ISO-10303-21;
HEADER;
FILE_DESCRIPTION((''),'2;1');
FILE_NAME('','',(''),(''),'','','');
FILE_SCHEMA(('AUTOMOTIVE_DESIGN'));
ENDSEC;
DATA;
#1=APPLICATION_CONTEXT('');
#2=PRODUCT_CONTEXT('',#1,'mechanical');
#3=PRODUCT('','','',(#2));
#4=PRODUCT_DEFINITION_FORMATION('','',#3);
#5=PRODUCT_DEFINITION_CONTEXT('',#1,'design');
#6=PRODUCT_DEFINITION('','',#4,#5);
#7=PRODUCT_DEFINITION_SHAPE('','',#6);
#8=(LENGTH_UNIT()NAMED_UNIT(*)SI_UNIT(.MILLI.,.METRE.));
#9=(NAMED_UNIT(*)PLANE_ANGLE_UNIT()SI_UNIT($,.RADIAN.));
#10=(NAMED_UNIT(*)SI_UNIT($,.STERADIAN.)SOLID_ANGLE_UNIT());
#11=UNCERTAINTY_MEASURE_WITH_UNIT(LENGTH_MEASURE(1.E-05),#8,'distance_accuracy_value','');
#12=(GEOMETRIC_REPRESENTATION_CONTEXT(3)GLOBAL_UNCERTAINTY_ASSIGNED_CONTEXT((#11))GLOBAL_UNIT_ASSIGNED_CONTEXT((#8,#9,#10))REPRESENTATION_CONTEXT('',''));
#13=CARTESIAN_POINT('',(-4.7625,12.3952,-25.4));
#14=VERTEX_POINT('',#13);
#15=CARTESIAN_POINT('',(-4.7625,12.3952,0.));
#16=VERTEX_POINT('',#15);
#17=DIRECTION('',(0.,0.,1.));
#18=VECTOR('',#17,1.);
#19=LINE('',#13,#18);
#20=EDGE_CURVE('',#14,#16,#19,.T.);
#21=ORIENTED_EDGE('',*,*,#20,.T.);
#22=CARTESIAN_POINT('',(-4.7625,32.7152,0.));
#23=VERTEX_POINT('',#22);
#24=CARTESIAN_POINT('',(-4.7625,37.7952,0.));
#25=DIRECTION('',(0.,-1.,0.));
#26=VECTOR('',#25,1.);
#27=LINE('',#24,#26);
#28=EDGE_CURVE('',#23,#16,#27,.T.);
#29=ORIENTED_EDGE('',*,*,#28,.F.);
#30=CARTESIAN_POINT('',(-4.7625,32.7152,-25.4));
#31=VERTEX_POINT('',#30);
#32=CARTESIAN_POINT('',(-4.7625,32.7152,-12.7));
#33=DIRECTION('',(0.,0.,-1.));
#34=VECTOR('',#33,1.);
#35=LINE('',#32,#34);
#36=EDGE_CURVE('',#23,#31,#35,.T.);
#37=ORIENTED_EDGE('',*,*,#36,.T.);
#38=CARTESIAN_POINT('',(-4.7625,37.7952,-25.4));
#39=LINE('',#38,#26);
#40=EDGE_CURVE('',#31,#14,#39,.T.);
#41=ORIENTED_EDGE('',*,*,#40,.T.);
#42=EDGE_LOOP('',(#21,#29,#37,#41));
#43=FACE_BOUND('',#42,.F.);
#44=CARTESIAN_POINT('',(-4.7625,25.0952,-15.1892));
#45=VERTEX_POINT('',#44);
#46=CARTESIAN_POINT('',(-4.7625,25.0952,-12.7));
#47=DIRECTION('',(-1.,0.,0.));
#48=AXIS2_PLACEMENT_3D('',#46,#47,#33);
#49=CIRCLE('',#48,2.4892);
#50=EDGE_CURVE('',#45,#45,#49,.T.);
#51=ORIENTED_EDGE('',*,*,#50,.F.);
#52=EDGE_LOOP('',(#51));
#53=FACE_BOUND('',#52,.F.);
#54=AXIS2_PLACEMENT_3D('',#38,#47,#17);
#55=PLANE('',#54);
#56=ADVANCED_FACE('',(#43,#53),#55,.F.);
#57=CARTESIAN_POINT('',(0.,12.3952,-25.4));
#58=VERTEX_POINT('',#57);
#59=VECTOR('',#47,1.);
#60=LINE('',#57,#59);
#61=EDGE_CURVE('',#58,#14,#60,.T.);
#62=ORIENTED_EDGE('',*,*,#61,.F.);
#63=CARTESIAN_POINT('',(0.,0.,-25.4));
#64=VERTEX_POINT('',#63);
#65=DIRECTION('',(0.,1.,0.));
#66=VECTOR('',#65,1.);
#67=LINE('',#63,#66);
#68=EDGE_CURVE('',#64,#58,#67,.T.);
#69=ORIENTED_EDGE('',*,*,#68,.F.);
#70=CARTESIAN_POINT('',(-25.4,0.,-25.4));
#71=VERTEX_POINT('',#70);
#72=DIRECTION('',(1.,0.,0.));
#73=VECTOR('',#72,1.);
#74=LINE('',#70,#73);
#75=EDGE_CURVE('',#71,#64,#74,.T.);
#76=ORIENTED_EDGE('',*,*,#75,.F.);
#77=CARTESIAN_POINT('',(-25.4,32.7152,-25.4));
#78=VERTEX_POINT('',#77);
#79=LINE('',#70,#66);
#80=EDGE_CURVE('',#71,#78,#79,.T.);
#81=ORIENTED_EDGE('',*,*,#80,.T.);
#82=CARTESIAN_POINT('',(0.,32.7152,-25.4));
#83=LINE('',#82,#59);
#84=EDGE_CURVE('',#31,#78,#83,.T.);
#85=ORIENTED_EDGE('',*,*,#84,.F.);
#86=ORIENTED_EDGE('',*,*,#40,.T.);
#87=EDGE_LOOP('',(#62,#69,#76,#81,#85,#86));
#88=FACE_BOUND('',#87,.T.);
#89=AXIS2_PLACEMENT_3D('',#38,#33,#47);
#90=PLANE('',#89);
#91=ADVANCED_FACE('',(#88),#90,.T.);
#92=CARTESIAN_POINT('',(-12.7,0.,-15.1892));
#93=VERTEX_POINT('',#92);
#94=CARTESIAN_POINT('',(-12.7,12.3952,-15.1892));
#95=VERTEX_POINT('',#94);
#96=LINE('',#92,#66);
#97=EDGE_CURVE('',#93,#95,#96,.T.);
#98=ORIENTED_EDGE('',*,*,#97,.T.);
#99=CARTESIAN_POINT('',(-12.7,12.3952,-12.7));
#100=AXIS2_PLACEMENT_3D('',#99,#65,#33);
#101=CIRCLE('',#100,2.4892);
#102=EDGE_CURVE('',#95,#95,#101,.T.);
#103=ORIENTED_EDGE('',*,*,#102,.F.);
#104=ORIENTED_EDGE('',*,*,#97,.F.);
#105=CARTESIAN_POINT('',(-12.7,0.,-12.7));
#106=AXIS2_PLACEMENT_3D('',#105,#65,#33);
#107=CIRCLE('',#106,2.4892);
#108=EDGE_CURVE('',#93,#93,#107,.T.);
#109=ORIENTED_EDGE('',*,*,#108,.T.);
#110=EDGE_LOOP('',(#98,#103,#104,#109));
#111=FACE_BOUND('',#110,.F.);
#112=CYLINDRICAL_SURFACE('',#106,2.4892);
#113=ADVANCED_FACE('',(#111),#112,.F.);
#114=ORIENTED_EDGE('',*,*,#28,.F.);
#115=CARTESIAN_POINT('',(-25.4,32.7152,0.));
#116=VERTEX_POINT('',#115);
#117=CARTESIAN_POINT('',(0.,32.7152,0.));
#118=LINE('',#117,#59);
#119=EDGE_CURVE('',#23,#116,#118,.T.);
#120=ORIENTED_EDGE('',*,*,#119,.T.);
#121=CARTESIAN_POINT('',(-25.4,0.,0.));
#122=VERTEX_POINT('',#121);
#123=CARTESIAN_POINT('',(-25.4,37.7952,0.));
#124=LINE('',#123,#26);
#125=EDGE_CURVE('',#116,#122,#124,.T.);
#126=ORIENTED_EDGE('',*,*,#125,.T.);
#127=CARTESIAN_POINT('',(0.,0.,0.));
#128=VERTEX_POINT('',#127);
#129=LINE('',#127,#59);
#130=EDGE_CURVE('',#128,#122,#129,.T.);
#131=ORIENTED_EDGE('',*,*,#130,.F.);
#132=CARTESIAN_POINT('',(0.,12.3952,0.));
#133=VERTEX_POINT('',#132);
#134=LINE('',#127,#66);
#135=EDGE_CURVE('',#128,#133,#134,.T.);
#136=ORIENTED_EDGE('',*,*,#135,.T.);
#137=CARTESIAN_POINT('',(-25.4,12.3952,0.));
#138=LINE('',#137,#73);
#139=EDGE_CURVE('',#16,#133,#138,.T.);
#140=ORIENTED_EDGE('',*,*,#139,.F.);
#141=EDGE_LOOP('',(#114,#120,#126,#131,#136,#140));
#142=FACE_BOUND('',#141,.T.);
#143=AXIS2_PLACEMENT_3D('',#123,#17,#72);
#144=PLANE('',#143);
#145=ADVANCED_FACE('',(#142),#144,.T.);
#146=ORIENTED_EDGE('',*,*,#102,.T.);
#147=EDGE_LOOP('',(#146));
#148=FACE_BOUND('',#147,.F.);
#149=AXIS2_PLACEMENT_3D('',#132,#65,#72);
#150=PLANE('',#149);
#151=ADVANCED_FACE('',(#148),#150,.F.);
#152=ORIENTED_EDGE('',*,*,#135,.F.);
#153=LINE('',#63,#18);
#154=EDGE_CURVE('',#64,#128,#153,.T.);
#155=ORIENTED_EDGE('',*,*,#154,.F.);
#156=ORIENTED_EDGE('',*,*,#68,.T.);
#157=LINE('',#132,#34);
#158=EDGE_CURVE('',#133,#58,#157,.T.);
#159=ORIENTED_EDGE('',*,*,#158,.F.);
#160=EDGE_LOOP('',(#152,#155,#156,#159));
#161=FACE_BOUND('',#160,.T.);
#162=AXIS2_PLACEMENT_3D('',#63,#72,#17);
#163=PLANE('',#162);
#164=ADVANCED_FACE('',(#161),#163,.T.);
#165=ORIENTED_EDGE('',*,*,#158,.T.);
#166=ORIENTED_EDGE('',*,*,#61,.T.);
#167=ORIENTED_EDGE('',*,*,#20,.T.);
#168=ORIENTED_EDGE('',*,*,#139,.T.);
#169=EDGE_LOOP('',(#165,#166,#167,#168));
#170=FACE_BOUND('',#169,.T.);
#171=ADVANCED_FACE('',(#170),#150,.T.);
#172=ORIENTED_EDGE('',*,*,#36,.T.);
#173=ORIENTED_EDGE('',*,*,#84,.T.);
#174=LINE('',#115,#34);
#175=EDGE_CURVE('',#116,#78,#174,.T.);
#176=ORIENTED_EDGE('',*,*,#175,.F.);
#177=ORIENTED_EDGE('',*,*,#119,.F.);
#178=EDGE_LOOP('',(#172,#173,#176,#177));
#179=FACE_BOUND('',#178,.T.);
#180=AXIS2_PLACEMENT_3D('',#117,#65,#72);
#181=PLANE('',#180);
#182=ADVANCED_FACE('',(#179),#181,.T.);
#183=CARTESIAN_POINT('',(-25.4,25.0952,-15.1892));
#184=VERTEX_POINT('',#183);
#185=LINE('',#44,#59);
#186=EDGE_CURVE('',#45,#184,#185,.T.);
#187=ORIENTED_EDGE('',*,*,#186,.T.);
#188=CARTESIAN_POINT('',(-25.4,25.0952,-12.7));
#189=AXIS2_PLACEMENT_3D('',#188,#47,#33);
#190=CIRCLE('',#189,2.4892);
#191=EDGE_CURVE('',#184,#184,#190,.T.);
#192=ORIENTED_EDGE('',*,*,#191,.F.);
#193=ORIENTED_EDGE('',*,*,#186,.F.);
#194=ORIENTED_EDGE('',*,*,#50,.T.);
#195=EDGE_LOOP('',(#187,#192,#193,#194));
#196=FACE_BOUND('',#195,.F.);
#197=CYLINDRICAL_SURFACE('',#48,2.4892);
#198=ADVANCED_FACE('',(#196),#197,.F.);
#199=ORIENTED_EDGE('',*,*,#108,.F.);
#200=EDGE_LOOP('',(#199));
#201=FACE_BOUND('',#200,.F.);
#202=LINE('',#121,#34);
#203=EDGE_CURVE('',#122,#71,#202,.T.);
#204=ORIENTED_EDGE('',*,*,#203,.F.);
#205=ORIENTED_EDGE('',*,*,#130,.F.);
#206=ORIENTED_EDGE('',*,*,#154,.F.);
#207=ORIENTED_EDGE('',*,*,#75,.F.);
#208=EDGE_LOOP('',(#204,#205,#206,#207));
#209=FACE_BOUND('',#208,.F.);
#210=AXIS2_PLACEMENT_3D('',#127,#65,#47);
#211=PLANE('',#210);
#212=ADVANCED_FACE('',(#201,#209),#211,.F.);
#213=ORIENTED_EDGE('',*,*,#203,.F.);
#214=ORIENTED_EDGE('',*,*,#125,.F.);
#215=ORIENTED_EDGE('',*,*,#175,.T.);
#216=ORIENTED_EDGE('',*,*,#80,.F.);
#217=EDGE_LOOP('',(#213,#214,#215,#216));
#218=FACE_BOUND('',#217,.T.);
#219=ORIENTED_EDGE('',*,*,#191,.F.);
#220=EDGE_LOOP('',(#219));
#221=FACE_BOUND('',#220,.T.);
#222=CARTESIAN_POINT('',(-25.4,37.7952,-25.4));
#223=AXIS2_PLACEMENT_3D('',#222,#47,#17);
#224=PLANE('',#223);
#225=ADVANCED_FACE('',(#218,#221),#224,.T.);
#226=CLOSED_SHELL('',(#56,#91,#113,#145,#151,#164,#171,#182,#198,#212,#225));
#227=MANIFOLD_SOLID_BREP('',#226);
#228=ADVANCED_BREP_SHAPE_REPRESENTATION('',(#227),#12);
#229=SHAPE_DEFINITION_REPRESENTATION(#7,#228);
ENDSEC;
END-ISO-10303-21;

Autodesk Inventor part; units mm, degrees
ref_plane "YZ Plane" through (0, 0, 0) normal (1, 0, 0) x (0, 1, 0)
ref_plane "XZ Plane" through (0, 0, 0) normal (0, 1, 0) x (-1, 0, 0)
ref_plane "XY Plane" through (0, 0, 0) normal (0, 0, 1) x (1, 0, 0)
sketch "Sketch1" plane through (0, 0, 0) normal (0, 1, 0) x (-1, 0, 0)
  line L0 (0, 0) -> (25.4, 0)
  line L1 (25.4, 0) -> (25.4, -25.4)
  line L2 (25.4, -25.4) -> (0, -25.4)
  line L3 (0, -25.4) -> (0, 0)
  dimension "d0" = 25.4
  dimension "d1" = 25.4
extrude "Extrusion1" add sketch "Sketch1" along normal blind 37.7952
sketch "Sketch2" plane through (0, 0, 0) normal (0, -1, 0) x (1, 0, 0)
  line L0 (0, 0) -> (0, -25.4) projected
  line L1 (-25.4, 0) -> (0, 0) projected
  point P0 (-12.7, -12.7)
  point P1 (-12.7, 0)
  dimension "d4" = 12.7
  dimension "d5" = 12.7
hole "Hole1" at (-12.7, 0, -12.7) direction (0, 1, 0) diameter 4.9784 depth 19.05 thread size "1/4-20 UNC" class "2B" standard "ANSI Unified Screw Threads"
sketch "Sketch3" plane through (-25.4, 0, -25.4) normal (-1, 0, 0) x (0, 0, 1)
  line L0 (0, 37.7952) -> (25.4, 37.7952) projected
  line L1 (0, 0) -> (0, 37.7952) projected
  point P0 (25.4, 0)
  point P1 (12.7, 25.0952)
  dimension "d13" = 12.7
  dimension "d14" = 12.7
hole "Hole2" at (-25.4, 25.0952, -12.7) direction (1, 0, 0) diameter 4.9784 end through all thread size "1/4-20 UNC" class "2B" standard "ANSI Unified Screw Threads"
sketch "Sketch4" plane through (0, 37.7952, 0) normal (0, 1, 0) x (1, 0, 0)
  line L0 (0, 25.4) -> (-25.4, 25.4) projected
  line L1 (-25.4, 25.4) -> (-25.4, 0) projected
  line L2 (-25.4, 0) -> (0, 0) projected
  line L3 (0, 0) -> (0, 25.4) projected
  line L4 (-4.7625, 25.4) -> (-4.7625, 0)
  line L5 (-25.4, 0) -> (0, 0) projected
  dimension "d22" = 4.7625
extrude "Extrusion2" cut sketch "Sketch4" against normal blind 25.4
extrude "Extrusion3" add sketch "Sketch4" against normal blind 25.4 contours L4 L2 L1 L0
sketch "Sketch6" plane through (-4.7625, 37.7952, 0) normal (1, 0, 0) x (0, 0, -1)
  line L0 (0, 0) -> (25.4, 0) projected
  line L1 (0, 0) -> (0, -25.4) projected
  point P0 (0, -37.7952)
  point P1 (12.7, -12.7)
  point P2 (12.7, 0)
  point P3 (0, -12.7)
  dimension "d28" = 12.7
  dimension "d29" = 12.7
hole "Hole3" at (-4.7625, 25.0952, -12.7) direction (-1, 0, 0) diameter 4.9784 end through all thread size "1/4-20 UNC" class "2B" standard "ANSI Unified Screw Threads"
sketch "Sketch7" plane through (0, 0, 0) normal (0, -1, 0) x (1, 0, 0)
  point P0 (0, 0)
sketch "Sketch8" plane through (0, 37.7952, 0) normal (0, 1, 0) x (1, 0, 0)
  line L0 (0, 25.4) -> (-25.4, 25.4) projected
  line L1 (0, 25.4) -> (0, 0) projected
  line L2 (-25.4, 25.4) -> (0, 25.4)
  line L3 (0, 25.4) -> (0, 0)
  line L4 (0, 0) -> (-25.4, 0)
  line L5 (-25.4, 0) -> (-25.4, 25.4)
extrude "Extrusion4" cut sketch "Sketch8" against normal blind 5.08
properties part number "DragBarLinkage3 Billet"
